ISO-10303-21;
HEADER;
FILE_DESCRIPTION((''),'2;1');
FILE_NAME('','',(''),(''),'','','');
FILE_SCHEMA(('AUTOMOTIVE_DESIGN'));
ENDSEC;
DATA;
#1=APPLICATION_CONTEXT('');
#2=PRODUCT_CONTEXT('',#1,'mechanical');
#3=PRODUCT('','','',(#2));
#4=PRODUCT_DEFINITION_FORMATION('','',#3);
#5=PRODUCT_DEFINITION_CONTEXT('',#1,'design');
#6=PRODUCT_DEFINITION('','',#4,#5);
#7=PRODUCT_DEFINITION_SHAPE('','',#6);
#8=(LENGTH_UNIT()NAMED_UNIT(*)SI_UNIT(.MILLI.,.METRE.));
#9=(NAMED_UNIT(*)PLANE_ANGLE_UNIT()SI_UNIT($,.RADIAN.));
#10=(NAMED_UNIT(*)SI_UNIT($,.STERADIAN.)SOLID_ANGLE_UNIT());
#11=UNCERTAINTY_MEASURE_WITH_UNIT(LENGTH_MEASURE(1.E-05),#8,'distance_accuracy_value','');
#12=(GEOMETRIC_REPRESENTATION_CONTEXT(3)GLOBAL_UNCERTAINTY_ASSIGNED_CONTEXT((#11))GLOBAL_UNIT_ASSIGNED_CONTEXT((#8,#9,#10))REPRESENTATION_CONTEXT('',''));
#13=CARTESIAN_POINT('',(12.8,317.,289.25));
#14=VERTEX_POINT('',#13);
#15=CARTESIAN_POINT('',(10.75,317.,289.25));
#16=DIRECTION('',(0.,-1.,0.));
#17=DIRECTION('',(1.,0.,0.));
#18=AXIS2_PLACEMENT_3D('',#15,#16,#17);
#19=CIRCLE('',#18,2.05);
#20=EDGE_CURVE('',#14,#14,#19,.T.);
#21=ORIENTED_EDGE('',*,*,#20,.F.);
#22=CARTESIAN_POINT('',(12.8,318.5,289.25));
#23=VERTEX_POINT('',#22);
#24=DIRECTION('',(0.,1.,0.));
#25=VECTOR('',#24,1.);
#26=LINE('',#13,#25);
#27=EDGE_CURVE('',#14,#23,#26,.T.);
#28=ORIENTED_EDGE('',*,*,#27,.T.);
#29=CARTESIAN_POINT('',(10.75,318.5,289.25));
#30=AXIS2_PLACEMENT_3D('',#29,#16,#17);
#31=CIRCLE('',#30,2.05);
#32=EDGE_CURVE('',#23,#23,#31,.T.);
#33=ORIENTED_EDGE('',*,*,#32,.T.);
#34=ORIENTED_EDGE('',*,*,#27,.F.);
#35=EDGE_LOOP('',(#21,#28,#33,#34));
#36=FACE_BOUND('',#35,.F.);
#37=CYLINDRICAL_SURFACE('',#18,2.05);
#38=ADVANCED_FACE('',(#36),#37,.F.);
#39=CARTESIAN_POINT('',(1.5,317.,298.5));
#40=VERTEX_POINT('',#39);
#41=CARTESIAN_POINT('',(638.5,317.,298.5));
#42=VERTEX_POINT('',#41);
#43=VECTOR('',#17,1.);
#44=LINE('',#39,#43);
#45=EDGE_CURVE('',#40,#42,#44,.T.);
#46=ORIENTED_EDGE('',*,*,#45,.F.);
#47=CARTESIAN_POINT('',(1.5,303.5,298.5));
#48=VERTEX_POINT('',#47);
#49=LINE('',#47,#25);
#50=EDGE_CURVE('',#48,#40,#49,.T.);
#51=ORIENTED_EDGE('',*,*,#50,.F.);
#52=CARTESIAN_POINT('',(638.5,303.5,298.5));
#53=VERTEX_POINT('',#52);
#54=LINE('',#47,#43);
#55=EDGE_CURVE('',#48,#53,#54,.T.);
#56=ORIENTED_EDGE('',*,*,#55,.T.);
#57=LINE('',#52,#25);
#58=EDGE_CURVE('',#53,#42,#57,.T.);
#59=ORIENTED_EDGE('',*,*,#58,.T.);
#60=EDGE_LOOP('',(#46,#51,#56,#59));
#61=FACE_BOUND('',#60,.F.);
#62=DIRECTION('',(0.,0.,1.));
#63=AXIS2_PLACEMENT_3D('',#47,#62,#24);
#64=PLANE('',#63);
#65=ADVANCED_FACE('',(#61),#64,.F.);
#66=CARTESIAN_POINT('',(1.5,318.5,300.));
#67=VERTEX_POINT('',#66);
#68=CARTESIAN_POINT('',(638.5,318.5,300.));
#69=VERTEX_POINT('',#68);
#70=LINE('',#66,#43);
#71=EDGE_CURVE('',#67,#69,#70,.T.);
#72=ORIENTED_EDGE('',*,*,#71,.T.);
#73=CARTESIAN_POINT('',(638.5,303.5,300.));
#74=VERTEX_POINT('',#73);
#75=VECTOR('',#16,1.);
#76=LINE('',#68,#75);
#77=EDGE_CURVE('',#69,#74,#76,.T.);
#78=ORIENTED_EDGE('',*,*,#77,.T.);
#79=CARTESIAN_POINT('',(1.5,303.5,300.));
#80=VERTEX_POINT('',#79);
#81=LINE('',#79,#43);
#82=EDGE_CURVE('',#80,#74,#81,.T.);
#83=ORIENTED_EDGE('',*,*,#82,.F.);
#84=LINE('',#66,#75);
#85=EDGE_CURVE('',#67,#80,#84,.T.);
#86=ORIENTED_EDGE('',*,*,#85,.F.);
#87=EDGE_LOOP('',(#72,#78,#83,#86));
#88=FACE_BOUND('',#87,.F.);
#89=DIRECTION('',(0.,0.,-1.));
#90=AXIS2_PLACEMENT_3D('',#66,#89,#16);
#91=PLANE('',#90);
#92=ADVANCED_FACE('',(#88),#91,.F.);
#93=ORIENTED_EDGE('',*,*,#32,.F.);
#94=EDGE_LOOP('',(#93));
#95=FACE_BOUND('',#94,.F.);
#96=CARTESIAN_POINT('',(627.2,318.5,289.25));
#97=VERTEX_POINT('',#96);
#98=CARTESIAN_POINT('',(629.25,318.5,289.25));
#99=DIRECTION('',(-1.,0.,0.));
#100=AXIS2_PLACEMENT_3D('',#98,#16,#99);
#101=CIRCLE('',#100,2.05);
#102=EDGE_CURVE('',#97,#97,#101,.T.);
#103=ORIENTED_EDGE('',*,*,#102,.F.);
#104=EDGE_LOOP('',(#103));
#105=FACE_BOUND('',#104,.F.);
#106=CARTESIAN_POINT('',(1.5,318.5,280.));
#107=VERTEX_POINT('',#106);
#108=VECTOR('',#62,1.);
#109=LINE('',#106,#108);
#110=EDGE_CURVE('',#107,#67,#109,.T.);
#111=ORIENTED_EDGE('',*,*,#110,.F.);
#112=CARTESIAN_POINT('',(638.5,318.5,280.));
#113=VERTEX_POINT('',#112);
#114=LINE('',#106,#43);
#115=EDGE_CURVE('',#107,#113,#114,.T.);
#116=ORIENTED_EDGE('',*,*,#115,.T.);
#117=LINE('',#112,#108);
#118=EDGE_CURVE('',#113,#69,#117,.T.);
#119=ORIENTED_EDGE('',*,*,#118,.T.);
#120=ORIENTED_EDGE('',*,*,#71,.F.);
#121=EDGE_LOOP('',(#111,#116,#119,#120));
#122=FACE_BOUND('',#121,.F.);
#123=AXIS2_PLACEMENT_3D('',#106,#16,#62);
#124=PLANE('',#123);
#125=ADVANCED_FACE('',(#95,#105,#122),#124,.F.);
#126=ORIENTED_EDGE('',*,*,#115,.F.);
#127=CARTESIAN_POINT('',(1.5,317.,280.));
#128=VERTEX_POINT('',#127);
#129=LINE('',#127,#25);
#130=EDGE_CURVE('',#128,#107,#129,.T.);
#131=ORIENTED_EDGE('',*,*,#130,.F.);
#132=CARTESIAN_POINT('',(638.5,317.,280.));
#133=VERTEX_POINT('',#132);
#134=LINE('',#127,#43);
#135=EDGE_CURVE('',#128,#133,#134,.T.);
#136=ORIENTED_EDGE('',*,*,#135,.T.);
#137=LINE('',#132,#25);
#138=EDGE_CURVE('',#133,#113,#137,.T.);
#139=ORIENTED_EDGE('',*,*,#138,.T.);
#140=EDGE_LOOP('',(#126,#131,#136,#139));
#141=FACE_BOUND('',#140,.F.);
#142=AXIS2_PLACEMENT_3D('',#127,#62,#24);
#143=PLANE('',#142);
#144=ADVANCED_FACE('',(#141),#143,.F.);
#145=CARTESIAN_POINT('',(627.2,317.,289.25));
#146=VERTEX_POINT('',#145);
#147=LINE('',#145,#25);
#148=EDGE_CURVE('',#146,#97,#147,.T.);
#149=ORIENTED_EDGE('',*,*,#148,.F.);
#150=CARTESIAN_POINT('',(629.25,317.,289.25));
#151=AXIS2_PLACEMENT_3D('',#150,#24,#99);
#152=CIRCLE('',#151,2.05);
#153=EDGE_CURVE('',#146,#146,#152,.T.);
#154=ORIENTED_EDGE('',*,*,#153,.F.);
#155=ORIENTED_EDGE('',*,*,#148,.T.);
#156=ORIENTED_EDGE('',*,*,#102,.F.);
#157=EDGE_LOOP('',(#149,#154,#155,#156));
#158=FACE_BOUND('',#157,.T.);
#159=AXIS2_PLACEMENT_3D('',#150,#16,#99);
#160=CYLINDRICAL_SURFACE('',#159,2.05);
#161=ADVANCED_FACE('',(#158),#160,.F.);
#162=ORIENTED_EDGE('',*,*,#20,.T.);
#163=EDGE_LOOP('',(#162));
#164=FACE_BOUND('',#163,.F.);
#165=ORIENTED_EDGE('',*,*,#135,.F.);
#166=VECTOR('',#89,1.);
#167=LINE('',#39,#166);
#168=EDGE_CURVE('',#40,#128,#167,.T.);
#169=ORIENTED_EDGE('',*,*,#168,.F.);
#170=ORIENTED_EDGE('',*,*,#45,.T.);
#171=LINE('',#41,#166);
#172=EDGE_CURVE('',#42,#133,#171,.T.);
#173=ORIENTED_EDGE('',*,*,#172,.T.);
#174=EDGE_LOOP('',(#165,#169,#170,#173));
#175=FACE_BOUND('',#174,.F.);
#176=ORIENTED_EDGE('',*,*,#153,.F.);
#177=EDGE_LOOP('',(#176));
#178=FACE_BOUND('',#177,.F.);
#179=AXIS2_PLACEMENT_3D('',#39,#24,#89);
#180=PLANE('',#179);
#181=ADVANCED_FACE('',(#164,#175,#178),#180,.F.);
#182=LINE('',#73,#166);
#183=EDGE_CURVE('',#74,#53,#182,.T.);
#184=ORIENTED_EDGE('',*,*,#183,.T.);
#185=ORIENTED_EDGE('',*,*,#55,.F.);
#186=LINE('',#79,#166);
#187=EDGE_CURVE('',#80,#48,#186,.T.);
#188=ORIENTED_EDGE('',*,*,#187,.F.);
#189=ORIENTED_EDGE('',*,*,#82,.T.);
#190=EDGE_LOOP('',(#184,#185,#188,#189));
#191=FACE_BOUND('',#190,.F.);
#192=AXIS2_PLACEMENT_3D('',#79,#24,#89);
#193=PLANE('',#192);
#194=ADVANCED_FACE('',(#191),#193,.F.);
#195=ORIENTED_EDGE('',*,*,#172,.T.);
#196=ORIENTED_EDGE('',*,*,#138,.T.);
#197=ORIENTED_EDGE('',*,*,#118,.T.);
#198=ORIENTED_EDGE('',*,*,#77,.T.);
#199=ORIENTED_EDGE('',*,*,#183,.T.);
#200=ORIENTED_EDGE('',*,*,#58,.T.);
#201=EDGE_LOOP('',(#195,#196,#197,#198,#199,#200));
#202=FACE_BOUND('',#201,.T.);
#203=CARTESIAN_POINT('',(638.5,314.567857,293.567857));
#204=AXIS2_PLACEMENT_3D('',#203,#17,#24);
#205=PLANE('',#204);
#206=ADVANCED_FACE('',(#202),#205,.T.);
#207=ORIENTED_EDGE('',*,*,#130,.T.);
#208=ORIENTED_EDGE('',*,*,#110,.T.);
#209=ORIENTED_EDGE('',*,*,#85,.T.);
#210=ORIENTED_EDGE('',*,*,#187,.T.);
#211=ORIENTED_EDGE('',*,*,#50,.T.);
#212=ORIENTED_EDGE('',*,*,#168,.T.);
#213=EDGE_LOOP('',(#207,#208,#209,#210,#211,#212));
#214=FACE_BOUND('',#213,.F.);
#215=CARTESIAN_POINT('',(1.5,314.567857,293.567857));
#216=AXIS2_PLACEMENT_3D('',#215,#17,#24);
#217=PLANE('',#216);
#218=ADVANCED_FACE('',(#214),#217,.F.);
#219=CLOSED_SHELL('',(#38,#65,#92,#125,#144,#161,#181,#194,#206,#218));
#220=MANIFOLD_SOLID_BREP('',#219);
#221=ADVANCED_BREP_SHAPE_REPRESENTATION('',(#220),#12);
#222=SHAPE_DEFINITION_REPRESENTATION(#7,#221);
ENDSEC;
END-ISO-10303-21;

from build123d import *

# Parameters (mm, degrees)
EXTRUDE002_DEPTH = 637
SKETCH016_R      = 2.05
HOLE009_DEPTH    = 1276.481784


with BuildPart() as part:
    # Sketch015 → Extrude002 (new body)
    with BuildSketch(Plane(origin=(0, 0, 0), x_dir=(0, -1, 0), z_dir=(-1, 0, 0))):
        Polygon((-15, 0), (-15, 20), (0, 20), (0, 18.5), (-13.5, 18.5), (-13.5, 0), align=None)
    extrude(amount=-EXTRUDE002_DEPTH)

    # Sketch016 → Hole009 (cut, through all)
    with BuildSketch(Plane.XZ.offset(-13.5)):
        with Locations((9.25, 9.25)):
            Circle(SKETCH016_R)
    hole009 = extrude(amount=-HOLE009_DEPTH, mode=Mode.SUBTRACT)

    # Mirrored005: Hole009 across Sketch016 Axis0
    add(hole009.mirror(Plane(origin=(318.5, 13.5, 18.5), x_dir=(0, -1, 0), z_dir=(1, 0, 0))), mode=Mode.SUBTRACT)


with BuildPart() as part_1:
    # Body007 placement: moved
    add(part.part.moved(Location((1.5, 303.5, 280))))


solid = part_1.part
